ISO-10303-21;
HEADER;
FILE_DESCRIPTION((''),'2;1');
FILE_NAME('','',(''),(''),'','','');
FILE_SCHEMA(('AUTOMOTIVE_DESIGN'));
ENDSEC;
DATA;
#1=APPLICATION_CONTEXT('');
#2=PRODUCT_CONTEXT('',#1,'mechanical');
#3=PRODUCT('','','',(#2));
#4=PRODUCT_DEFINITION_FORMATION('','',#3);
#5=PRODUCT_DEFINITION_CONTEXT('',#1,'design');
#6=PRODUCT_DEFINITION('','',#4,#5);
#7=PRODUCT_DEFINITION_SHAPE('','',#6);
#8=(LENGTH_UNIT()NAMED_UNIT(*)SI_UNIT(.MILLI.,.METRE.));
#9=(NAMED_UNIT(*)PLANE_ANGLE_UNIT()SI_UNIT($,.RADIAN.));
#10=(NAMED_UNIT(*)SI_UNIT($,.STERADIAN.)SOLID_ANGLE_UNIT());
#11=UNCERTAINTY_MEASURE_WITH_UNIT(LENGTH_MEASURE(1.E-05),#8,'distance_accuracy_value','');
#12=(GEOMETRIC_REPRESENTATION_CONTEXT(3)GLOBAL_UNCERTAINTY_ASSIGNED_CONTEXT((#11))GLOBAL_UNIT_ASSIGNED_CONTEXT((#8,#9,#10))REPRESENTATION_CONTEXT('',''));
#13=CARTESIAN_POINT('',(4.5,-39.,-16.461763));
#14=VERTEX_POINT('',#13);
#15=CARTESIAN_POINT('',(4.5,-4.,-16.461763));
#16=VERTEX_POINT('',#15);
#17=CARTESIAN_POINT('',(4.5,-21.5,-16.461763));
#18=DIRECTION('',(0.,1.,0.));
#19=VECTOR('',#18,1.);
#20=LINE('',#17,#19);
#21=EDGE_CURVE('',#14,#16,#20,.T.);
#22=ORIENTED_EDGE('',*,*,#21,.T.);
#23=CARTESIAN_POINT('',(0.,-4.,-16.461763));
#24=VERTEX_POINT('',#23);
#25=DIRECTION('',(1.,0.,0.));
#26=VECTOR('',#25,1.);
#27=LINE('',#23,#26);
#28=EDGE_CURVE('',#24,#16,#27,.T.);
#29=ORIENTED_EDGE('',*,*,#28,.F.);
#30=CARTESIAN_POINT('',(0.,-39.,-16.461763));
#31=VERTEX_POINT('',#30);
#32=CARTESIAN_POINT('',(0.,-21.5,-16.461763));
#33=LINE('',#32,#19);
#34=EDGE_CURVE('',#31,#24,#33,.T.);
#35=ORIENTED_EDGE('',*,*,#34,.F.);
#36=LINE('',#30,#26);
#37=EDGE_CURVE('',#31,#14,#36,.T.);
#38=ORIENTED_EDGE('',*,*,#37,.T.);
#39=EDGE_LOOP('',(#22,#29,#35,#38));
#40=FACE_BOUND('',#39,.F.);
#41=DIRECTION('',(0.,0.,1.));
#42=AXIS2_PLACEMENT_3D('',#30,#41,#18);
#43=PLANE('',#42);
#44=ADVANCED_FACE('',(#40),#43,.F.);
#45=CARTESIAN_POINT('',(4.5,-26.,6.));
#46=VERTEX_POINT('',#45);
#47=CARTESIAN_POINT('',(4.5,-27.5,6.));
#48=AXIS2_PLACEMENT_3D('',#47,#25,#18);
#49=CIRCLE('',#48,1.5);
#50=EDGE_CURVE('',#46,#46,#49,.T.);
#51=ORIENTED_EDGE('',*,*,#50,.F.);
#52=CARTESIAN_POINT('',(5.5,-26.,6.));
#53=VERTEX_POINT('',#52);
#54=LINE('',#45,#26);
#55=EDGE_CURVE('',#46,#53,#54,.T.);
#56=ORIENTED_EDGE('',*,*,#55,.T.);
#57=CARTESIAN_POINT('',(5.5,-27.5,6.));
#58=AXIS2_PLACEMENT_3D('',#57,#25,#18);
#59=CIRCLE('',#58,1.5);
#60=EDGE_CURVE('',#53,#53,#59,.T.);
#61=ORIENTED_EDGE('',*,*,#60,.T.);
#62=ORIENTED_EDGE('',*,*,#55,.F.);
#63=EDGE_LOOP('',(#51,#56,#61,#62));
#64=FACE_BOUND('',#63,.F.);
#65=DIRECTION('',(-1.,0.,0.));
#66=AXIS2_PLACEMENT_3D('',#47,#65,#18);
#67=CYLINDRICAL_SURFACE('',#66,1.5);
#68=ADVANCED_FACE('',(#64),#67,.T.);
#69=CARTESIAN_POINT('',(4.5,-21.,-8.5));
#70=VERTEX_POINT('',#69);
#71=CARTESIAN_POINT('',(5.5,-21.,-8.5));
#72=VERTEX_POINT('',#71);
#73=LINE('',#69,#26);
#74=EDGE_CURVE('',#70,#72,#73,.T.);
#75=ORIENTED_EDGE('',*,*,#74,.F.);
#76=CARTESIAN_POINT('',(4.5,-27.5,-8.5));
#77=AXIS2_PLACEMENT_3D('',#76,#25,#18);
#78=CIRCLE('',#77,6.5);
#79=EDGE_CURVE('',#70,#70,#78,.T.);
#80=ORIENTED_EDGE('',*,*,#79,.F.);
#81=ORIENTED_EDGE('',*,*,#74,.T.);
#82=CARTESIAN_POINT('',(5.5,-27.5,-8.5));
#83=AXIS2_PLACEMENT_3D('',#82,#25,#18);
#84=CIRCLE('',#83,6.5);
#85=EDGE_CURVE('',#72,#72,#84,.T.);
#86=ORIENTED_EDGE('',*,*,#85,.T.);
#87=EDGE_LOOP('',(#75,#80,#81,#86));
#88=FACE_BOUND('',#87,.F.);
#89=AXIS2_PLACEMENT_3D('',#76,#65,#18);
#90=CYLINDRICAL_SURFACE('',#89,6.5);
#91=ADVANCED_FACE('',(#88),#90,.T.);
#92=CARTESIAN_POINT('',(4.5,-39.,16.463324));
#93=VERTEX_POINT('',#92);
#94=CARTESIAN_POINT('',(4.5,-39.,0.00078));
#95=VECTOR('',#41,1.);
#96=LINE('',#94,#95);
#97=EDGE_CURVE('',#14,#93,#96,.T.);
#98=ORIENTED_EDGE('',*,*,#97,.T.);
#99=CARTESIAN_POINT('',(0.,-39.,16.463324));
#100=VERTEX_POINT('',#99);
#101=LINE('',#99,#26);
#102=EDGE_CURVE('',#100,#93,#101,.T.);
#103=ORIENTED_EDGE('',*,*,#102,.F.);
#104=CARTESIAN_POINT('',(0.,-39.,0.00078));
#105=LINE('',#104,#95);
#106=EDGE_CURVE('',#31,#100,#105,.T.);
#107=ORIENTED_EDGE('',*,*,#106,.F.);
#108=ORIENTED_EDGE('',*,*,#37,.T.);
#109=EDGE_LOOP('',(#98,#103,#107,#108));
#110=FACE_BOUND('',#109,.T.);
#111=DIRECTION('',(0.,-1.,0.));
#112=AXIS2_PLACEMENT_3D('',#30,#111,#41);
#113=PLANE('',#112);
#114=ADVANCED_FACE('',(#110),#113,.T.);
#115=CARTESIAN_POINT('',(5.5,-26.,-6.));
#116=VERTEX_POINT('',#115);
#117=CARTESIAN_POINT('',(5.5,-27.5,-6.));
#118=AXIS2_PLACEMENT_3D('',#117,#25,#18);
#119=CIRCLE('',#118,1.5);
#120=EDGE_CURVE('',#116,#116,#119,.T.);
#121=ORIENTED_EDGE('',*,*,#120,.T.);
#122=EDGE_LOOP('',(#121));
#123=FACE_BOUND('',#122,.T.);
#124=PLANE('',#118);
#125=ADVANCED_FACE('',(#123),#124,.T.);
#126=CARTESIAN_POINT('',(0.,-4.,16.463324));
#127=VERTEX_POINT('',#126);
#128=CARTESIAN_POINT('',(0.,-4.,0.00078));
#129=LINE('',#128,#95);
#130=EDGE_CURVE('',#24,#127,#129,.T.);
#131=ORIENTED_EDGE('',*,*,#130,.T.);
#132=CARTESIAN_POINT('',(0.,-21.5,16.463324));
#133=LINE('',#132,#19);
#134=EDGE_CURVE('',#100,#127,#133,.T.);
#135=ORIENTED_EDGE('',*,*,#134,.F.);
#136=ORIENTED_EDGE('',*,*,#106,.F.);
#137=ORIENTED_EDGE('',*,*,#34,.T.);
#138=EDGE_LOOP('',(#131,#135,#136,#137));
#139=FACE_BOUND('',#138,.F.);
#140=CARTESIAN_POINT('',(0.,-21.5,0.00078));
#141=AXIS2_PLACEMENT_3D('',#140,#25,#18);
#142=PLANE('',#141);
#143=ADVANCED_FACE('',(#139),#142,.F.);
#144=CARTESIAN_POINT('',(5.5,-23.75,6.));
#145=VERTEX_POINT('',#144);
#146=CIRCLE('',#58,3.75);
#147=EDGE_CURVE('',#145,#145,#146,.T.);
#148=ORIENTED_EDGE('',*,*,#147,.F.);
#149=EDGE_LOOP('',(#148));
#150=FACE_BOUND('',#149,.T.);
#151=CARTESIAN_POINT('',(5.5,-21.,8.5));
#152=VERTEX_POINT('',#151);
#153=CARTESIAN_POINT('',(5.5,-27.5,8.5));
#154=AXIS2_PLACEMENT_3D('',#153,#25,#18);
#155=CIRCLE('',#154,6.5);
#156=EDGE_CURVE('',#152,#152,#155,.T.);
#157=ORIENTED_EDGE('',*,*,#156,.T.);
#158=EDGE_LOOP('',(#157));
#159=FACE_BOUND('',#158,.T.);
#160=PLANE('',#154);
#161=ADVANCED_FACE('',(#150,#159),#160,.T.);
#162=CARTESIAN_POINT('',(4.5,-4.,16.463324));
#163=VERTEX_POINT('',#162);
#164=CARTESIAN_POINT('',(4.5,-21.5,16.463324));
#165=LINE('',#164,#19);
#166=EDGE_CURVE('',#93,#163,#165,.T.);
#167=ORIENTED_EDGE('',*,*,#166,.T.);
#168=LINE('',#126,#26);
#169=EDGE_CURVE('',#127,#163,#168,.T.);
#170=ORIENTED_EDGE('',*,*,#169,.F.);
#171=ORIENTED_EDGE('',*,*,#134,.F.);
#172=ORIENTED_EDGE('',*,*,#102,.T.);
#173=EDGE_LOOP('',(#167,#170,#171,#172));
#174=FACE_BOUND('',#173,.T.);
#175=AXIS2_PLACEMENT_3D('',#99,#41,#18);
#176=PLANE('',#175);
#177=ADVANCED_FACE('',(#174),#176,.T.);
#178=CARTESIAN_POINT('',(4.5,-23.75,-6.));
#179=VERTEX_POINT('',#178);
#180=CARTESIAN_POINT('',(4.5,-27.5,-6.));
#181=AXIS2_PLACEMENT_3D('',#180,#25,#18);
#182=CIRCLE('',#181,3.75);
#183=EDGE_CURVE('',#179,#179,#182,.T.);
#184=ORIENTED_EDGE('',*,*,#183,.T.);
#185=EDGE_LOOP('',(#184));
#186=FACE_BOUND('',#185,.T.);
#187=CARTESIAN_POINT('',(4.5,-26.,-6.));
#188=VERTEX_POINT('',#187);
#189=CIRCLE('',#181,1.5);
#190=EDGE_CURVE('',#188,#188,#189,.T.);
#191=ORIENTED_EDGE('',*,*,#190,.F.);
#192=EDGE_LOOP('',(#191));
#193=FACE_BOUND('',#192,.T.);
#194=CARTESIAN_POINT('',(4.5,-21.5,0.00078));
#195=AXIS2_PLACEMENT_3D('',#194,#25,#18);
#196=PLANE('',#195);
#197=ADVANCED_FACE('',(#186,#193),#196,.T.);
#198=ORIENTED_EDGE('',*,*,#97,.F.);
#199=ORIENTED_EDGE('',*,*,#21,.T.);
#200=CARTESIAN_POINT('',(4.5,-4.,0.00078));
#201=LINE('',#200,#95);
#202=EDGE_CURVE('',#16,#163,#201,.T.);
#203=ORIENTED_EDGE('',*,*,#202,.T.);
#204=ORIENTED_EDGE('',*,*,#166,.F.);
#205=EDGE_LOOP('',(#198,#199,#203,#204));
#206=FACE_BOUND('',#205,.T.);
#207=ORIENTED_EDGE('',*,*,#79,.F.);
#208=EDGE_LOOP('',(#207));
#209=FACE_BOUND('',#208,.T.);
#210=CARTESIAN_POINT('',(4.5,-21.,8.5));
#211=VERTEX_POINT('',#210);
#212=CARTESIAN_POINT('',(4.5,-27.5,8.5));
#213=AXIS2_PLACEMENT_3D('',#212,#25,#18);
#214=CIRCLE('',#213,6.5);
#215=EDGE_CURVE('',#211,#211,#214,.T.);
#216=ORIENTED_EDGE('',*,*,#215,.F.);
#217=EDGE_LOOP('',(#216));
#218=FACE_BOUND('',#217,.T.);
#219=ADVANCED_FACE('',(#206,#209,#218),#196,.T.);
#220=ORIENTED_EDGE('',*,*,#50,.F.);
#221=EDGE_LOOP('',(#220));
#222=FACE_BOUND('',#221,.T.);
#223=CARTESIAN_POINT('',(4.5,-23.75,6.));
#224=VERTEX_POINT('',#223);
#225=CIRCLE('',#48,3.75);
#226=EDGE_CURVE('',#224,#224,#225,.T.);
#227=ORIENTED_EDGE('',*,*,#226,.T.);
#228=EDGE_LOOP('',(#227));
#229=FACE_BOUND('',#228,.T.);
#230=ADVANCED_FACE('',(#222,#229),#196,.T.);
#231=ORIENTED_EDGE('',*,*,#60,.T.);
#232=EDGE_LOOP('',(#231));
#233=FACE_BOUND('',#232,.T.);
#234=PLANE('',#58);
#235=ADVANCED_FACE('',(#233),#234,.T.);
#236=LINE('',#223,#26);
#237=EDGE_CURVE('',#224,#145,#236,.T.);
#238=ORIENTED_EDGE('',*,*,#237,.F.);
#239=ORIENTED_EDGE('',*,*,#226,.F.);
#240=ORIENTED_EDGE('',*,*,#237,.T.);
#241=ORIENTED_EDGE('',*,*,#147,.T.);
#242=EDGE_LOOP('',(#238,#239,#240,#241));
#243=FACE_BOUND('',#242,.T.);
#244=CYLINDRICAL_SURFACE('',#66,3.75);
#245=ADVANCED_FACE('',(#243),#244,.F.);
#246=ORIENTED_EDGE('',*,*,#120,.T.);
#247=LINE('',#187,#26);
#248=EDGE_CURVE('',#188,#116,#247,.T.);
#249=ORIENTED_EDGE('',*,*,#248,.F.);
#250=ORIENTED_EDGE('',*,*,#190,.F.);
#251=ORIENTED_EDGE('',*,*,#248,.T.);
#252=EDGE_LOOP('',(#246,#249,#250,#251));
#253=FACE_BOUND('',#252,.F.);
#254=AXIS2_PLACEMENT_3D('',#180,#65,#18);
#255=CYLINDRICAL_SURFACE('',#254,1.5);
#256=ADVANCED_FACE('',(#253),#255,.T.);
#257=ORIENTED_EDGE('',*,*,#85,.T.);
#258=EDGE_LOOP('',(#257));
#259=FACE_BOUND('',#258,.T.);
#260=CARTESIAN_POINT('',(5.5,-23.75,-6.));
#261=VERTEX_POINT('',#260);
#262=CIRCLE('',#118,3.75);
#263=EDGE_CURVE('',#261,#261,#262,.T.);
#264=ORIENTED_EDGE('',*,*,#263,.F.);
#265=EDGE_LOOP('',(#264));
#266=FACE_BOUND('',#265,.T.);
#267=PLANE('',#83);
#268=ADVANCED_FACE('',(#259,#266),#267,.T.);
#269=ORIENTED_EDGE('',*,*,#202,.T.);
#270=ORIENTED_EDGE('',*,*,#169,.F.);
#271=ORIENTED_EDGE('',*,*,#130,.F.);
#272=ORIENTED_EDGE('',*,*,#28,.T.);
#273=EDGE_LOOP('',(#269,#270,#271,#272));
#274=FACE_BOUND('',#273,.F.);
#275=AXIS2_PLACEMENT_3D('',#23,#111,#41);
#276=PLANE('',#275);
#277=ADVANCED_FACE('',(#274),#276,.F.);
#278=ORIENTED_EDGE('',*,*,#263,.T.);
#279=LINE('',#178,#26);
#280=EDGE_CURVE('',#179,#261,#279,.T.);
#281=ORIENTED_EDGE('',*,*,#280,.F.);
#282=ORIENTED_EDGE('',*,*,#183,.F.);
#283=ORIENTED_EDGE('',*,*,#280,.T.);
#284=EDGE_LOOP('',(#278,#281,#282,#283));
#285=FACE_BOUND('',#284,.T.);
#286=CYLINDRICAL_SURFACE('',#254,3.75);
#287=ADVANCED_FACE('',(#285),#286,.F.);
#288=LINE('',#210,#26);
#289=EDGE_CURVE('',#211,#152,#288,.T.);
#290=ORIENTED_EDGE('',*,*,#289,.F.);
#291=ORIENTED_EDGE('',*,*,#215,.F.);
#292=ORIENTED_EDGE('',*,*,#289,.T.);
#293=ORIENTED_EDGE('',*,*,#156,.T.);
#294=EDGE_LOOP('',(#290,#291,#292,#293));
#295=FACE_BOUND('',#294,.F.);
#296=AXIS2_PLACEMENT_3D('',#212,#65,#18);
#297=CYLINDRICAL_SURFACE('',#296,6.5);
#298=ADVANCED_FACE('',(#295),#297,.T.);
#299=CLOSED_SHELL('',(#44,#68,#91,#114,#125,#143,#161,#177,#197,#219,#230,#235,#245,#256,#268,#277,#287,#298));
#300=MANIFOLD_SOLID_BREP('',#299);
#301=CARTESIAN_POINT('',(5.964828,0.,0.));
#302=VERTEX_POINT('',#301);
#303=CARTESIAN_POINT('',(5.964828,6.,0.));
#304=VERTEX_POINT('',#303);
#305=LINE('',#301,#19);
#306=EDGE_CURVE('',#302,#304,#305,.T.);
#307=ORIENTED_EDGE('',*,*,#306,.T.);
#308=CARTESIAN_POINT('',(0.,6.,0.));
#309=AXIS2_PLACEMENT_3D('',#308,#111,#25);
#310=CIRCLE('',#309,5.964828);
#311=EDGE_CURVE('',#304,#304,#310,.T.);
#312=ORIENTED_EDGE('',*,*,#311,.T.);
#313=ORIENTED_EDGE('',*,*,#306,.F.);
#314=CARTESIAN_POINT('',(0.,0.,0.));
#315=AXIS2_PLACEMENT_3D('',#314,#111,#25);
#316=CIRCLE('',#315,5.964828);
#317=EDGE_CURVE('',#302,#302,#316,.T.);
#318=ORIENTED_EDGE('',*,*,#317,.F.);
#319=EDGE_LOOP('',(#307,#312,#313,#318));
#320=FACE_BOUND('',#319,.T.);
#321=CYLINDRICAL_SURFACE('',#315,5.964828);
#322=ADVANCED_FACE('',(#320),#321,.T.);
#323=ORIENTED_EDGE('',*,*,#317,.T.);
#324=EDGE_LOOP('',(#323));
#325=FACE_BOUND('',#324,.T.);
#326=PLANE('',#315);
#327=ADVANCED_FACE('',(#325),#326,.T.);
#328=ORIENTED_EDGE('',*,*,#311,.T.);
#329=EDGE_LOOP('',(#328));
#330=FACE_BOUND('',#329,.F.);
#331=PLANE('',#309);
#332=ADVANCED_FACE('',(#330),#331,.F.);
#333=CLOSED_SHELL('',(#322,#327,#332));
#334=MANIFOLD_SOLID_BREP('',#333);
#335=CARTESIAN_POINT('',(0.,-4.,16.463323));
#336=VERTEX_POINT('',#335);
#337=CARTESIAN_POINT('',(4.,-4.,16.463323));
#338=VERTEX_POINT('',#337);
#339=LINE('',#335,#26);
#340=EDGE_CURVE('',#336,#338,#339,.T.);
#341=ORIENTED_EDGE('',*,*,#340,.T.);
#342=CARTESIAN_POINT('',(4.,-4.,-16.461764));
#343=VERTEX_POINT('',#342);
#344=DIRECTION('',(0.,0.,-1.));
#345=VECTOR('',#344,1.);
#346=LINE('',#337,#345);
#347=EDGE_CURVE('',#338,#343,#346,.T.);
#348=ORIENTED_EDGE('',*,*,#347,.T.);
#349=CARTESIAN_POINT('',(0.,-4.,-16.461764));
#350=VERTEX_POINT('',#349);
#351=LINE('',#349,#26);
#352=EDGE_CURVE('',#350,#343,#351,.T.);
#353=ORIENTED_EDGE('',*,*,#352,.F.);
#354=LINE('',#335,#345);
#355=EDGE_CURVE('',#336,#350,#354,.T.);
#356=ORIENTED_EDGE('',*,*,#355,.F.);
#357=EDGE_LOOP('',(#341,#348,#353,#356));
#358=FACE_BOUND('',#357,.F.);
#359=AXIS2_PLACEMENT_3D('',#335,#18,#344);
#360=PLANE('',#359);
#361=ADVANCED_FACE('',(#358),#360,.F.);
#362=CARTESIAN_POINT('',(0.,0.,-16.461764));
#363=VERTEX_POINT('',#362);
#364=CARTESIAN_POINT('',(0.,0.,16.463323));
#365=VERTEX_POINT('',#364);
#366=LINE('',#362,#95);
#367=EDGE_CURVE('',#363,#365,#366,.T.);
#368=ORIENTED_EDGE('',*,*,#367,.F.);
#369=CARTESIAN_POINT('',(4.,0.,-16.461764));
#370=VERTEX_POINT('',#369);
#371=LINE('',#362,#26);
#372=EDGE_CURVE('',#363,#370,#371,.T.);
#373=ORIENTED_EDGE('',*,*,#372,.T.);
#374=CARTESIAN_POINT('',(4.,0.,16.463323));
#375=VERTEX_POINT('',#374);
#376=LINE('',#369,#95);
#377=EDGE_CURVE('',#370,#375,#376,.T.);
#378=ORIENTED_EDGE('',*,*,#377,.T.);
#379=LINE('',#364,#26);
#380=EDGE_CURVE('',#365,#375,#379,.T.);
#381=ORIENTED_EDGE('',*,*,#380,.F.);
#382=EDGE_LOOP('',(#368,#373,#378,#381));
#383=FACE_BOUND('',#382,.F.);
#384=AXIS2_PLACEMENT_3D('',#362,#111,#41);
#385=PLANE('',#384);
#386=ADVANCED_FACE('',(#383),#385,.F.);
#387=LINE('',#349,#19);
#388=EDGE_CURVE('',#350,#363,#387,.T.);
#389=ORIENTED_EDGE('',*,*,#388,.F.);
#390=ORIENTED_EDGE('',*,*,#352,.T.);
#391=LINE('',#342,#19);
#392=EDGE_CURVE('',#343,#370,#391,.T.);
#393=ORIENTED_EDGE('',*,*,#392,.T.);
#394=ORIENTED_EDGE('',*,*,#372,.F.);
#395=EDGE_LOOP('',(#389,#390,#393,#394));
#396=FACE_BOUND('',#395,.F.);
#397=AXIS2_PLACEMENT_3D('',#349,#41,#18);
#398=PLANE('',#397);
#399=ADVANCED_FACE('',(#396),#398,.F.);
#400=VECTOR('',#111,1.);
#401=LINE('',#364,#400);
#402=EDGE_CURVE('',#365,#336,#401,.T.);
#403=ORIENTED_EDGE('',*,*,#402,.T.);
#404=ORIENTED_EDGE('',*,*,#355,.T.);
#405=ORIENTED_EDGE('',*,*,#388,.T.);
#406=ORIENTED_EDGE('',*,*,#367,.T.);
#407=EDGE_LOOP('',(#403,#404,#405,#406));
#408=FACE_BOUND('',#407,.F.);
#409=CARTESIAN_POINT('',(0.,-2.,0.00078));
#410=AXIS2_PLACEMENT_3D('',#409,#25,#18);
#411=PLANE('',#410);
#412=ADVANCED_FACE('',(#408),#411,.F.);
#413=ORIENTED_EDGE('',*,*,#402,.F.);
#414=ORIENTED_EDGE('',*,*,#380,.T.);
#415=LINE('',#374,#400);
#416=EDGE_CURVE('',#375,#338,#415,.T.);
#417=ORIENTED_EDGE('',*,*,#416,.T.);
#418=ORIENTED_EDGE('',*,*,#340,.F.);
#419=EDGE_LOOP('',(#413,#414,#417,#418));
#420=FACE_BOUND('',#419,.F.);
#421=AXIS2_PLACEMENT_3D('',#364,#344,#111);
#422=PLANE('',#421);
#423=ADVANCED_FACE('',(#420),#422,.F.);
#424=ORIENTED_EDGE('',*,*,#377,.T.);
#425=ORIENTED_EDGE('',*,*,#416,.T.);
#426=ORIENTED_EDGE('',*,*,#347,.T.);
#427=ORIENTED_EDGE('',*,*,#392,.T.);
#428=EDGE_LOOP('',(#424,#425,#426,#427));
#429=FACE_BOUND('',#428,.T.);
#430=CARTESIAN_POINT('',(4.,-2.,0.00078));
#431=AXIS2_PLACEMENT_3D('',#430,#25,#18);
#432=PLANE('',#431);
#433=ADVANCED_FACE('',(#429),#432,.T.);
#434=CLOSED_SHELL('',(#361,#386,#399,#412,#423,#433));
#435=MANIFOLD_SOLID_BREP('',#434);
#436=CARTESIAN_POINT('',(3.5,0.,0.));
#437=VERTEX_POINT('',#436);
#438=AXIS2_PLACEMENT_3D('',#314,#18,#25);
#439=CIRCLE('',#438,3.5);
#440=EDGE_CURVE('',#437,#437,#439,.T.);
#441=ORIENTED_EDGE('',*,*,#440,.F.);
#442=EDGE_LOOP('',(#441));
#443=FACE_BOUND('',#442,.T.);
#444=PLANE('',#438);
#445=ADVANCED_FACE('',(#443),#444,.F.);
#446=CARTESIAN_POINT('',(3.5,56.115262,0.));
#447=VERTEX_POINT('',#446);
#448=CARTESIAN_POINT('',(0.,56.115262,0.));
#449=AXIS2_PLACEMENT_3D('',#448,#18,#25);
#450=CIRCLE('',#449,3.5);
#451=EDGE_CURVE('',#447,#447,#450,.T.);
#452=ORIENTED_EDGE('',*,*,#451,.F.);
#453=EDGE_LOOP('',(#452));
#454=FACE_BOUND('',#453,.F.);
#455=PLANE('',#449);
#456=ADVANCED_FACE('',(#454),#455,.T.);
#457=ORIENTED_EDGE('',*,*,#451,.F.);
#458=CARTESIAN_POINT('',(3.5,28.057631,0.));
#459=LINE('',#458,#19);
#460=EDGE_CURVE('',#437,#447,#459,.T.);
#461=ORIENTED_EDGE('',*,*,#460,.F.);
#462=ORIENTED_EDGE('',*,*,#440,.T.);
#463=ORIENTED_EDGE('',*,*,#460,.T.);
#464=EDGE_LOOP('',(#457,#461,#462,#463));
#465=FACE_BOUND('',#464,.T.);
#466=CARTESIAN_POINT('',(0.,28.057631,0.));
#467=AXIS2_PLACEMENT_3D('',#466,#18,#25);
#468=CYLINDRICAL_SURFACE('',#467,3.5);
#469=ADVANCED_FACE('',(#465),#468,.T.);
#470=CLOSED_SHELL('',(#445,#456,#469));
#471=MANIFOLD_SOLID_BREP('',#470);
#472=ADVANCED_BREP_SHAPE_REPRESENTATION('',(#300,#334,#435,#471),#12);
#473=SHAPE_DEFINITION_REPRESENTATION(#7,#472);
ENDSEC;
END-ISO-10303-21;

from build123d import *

# Parameters (mm, degrees)
F1_W      = 3.5
F1_H      = 56.115262
F3_R      = 5.964828
F4_DEPTH  = 6
F7_DEPTH  = 4
F6_W      = 35
F6_H      = 32.925087
F8_DEPTH  = 4.5
F9_R      = 6.5
F9_R_2    = 3.75
F10_DEPTH = 1
F9_R_3    = 1.5
F11_DEPTH = 1


with BuildPart() as f2:
    # F1 (on Top) → F2 (revolve)
    with BuildSketch(Plane.XY):
        with Locations((1.75, 28.057631)):
            Rectangle(F1_W, F1_H)
    revolve(axis=Axis((0, 28.057631, 0), (0, 1, 0)))


with BuildPart() as f4:
    # F3 (on Front) → F4 (new body)
    with BuildSketch(Plane.XZ):
        Circle(F3_R)
    extrude(amount=-F4_DEPTH)


with BuildPart() as f7:
    # F5 (on Right) → F7 (new body)
    with BuildSketch(Plane.YZ):
        Polygon((-4, -16.461764), (0, -16.461764), (0, -5.961764), (0, 0), (0, 5.963323), (0, 16.463323), (-4, 16.463323), align=None)
    extrude(amount=F7_DEPTH)


with BuildPart() as f8:
    # F6 (on Right) → F8 (new body)
    with BuildSketch(Plane.YZ):
        with Locations((-21.5, 0.00078)):
            Rectangle(F6_W, F6_H)
    extrude(amount=F8_DEPTH)

    # F9 (on face) → F10 (join)
    with BuildSketch(Plane.YZ.offset(4.5)):
        with Locations((-27.5, -8.5)):
            Circle(F9_R)
        with Locations((-27.5, -6)):
            Circle(F9_R_2, mode=Mode.SUBTRACT)
        with Locations((-27.5, 8.5)):
            Circle(F9_R)
        with Locations((-27.5, 6)):
            Circle(F9_R_2, mode=Mode.SUBTRACT)
    extrude(amount=F10_DEPTH)

    # F9 (on face) → F11 (join)
    with BuildSketch(Plane.YZ.offset(4.5)):
        with Locations((-27.5, -6)):
            Circle(F9_R_3)
        with Locations((-27.5, 6)):
            Circle(F9_R_3)
    extrude(amount=F11_DEPTH)


solid = Compound([f2.part, f4.part, f7.part, f8.part])
